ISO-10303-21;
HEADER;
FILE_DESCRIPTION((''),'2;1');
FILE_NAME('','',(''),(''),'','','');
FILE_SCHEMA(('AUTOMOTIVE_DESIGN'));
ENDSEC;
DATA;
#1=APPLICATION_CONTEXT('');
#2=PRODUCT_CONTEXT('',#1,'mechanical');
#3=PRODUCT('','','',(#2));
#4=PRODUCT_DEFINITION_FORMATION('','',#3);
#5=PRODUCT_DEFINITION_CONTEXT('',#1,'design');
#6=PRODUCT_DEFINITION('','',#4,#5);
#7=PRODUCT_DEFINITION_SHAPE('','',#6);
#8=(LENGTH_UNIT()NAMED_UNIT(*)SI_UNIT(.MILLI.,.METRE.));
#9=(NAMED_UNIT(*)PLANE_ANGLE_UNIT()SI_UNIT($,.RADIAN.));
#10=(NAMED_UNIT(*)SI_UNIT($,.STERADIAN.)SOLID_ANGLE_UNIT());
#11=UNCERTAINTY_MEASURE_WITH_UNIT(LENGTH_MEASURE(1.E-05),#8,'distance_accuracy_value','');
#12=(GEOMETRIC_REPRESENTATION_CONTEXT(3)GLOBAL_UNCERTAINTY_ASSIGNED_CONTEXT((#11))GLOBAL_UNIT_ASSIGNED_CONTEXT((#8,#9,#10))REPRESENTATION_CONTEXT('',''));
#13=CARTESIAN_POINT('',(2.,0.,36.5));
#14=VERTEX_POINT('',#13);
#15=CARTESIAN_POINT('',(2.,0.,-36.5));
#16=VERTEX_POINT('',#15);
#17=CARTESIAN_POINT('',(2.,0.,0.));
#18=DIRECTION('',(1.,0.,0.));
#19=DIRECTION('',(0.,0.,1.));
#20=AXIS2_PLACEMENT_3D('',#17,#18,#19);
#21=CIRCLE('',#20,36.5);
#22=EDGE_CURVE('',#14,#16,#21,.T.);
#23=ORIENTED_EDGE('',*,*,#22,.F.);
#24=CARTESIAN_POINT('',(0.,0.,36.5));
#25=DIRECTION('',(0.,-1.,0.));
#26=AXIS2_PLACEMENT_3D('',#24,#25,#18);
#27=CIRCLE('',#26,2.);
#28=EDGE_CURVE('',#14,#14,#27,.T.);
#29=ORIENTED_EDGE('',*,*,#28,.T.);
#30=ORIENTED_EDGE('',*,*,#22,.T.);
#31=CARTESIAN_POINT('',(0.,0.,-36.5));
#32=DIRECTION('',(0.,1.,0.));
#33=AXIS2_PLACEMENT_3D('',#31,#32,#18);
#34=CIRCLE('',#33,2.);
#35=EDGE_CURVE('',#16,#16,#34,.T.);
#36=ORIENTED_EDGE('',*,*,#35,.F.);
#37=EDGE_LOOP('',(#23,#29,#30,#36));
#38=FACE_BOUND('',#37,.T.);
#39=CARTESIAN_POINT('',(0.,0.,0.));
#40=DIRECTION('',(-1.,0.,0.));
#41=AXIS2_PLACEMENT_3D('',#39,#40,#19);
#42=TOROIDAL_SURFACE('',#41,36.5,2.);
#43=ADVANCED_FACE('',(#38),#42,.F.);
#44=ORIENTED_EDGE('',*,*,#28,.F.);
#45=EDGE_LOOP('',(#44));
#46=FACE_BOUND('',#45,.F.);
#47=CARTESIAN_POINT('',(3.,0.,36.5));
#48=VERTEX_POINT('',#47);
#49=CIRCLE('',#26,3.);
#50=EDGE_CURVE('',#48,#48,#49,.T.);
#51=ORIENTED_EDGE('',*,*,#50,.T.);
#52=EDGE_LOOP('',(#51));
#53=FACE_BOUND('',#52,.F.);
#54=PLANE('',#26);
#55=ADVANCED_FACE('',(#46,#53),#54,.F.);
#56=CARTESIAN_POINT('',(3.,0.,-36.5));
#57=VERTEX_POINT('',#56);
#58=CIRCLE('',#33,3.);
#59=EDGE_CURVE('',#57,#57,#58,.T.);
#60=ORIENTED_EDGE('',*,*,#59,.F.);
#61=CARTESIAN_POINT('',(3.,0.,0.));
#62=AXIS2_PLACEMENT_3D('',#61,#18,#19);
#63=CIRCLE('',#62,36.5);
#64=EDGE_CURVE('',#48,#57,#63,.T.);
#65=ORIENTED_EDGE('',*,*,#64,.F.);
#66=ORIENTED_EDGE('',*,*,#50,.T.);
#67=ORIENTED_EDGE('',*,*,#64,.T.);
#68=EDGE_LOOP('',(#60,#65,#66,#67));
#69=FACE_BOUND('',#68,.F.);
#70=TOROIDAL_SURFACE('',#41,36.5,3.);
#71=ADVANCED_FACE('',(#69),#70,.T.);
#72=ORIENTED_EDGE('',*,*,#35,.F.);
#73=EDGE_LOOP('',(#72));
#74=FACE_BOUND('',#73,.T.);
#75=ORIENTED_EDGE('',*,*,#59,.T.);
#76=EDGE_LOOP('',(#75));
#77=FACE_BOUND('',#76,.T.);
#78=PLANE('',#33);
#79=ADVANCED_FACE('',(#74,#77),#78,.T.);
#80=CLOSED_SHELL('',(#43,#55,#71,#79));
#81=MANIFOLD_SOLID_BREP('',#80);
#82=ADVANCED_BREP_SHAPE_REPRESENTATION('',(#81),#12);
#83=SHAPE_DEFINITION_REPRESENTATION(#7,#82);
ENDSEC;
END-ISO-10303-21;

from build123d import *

# Parameters (mm, degrees)
F0_R     = 3
F0_R_2   = 2
F1_ANGLE = 180


with BuildPart() as f1:
    # F0 (on Front) → F1 (revolve)
    with BuildSketch(Plane.XZ):
        with Locations((0, 36.5)):
            Circle(F0_R)
        with Locations((0, 36.5)):
            Circle(F0_R_2, mode=Mode.SUBTRACT)
    revolve(axis=Axis((2.932962, 0, 0), (1, 0, 0)), revolution_arc=F1_ANGLE)


solid = f1.part
